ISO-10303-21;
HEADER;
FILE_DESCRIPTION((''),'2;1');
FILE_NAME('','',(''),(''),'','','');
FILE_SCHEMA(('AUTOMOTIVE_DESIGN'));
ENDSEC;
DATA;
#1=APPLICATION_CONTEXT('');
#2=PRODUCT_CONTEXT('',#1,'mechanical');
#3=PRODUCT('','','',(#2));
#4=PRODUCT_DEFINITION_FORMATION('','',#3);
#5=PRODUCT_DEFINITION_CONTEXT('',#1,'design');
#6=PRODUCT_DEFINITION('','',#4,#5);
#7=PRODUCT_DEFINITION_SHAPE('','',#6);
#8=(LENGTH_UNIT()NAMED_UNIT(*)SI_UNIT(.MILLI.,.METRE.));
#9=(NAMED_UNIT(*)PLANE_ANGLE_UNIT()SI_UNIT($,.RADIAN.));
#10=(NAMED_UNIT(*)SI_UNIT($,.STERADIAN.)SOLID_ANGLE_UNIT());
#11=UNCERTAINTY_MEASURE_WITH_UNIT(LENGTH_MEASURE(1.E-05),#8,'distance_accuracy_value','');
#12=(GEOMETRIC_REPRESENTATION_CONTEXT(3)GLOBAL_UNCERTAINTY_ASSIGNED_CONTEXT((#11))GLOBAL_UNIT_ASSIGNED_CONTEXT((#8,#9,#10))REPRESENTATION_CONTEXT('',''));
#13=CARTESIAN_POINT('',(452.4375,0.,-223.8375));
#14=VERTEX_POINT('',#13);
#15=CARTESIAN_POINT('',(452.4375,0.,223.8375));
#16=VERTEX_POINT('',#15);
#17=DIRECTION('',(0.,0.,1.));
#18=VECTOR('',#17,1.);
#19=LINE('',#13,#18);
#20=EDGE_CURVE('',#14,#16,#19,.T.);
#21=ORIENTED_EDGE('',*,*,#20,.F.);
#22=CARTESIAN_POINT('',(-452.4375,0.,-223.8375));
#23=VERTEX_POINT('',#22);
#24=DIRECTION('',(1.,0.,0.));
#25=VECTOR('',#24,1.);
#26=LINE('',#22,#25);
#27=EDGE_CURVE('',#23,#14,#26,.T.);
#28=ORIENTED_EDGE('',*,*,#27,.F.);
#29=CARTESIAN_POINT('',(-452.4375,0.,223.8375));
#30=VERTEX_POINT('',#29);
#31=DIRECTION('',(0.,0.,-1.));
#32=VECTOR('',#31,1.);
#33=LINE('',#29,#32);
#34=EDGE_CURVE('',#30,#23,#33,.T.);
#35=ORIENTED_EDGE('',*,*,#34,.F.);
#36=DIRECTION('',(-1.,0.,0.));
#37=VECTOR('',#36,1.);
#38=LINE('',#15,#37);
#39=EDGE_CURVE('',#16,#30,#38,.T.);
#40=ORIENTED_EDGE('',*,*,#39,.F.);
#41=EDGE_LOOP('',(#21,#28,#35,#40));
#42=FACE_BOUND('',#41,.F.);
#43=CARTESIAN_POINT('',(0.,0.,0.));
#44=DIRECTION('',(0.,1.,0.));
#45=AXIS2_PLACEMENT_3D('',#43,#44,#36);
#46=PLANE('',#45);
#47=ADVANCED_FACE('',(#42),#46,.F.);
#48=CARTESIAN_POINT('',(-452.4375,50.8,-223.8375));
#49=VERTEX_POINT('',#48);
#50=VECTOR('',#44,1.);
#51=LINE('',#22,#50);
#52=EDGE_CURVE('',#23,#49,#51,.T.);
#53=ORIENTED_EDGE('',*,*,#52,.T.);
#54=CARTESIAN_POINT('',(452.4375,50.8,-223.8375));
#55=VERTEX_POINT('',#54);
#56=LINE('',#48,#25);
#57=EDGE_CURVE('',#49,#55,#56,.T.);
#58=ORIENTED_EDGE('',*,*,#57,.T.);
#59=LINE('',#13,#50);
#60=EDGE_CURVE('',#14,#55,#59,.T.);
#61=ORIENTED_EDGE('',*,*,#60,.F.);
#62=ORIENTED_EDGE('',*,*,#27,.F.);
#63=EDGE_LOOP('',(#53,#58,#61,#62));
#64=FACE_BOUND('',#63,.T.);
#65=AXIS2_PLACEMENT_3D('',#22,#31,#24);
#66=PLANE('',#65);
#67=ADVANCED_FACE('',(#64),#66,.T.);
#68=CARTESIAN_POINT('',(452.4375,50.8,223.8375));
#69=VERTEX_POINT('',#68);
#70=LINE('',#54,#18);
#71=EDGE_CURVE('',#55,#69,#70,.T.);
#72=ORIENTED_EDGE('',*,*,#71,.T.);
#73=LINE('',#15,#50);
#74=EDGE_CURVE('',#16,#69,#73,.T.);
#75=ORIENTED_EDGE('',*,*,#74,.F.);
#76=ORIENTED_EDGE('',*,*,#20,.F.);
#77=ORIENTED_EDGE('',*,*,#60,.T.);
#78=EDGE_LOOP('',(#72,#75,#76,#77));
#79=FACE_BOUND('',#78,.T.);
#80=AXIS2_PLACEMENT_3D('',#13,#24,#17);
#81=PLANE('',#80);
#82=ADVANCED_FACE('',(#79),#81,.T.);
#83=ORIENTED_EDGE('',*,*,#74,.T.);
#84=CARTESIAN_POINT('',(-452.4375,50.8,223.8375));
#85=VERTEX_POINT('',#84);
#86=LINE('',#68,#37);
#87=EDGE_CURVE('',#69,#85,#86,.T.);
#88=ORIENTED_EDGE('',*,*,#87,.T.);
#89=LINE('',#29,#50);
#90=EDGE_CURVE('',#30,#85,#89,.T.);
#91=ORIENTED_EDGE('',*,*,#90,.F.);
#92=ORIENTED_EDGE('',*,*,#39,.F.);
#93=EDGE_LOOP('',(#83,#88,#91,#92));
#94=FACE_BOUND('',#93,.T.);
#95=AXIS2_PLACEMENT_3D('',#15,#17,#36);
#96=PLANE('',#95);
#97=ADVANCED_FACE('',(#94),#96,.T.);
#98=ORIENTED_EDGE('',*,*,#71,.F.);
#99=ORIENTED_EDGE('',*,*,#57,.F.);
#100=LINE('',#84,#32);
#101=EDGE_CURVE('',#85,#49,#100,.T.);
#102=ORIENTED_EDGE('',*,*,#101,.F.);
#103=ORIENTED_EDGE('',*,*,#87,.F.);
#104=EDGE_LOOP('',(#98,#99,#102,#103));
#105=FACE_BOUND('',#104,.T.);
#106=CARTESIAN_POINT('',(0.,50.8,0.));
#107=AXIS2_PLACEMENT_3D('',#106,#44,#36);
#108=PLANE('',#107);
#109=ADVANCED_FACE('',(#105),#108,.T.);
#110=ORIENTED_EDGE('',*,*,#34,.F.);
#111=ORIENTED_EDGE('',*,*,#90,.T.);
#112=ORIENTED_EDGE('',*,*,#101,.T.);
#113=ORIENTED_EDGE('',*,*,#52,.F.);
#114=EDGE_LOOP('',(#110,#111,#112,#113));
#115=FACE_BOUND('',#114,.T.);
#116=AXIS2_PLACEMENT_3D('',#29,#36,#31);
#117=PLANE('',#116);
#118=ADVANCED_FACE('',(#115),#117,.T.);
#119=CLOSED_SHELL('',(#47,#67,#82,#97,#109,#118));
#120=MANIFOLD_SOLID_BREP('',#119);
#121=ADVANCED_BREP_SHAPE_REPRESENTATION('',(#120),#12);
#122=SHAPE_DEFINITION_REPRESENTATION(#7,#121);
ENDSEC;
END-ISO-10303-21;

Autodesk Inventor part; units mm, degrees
ref_plane "YZ Plane" through (0, 0, 0) normal (1, 0, 0) x (0, 1, 0)
ref_plane "XZ Plane" through (0, 0, 0) normal (0, 1, 0) x (-1, 0, 0)
ref_plane "XY Plane" through (0, 0, 0) normal (0, 0, 1) x (1, 0, 0)
sketch "Sketch1" plane through (0, 0, 0) normal (0, 1, 0) x (-1, 0, 0)
  line L0 (452.4375, -223.8375) -> (-452.4375, -223.8375)
  line L1 (-452.4375, -223.8375) -> (-452.4375, 223.8375)
  line L2 (-452.4375, 223.8375) -> (452.4375, 223.8375)
  line L3 (452.4375, 223.8375) -> (452.4375, -223.8375)
  line L4 (452.4375, -223.8375) -> (-452.4375, 223.8375) construction
  line L5 (-452.4375, -223.8375) -> (452.4375, 223.8375) construction
  point P0 (0, 0)
  dimension "d0" = 904.875
  dimension "d1" = 447.675
extrude "Extrusion1" add sketch "Sketch1" along normal blind 50.8
sketch "Sketch2" plane through (-452.4375, 0, -223.8375) normal (-1, 0, 0) x (0, 0, 1)
  line L0 (0, 0) -> (0, 50.8) projected
  line L1 (0, 0) -> (0, 50.8) projected
  line L2 (0, 30.1625) -> (31.75, 30.1625)
  line L3 (31.75, 30.1625) -> (31.75, 20.6375)
  line L4 (31.75, 20.6375) -> (0, 20.6375)
  line L5 (0, 20.6375) -> (0, 30.1625)
  line L6 (0, 25.4) -> (53.4629, 25.4) construction
  line L7 (223.8375, 0) -> (223.8375, 50.8) construction
  line L8 (447.675, 50.8) -> (0, 50.8) construction
  line L9 (447.675, 30.1625) -> (415.925, 30.1625)
  line L10 (415.925, 30.1625) -> (415.925, 20.6375)
  line L11 (415.925, 20.6375) -> (447.675, 20.6375)
  line L12 (447.675, 20.6375) -> (447.675, 30.1625)
  dimension "d4" = 31.75
  dimension "d5" = 9.525
extrude "Extrusion2" [suppressed]
properties part number "Retaining&exterior ST-2" material "Limestone"
